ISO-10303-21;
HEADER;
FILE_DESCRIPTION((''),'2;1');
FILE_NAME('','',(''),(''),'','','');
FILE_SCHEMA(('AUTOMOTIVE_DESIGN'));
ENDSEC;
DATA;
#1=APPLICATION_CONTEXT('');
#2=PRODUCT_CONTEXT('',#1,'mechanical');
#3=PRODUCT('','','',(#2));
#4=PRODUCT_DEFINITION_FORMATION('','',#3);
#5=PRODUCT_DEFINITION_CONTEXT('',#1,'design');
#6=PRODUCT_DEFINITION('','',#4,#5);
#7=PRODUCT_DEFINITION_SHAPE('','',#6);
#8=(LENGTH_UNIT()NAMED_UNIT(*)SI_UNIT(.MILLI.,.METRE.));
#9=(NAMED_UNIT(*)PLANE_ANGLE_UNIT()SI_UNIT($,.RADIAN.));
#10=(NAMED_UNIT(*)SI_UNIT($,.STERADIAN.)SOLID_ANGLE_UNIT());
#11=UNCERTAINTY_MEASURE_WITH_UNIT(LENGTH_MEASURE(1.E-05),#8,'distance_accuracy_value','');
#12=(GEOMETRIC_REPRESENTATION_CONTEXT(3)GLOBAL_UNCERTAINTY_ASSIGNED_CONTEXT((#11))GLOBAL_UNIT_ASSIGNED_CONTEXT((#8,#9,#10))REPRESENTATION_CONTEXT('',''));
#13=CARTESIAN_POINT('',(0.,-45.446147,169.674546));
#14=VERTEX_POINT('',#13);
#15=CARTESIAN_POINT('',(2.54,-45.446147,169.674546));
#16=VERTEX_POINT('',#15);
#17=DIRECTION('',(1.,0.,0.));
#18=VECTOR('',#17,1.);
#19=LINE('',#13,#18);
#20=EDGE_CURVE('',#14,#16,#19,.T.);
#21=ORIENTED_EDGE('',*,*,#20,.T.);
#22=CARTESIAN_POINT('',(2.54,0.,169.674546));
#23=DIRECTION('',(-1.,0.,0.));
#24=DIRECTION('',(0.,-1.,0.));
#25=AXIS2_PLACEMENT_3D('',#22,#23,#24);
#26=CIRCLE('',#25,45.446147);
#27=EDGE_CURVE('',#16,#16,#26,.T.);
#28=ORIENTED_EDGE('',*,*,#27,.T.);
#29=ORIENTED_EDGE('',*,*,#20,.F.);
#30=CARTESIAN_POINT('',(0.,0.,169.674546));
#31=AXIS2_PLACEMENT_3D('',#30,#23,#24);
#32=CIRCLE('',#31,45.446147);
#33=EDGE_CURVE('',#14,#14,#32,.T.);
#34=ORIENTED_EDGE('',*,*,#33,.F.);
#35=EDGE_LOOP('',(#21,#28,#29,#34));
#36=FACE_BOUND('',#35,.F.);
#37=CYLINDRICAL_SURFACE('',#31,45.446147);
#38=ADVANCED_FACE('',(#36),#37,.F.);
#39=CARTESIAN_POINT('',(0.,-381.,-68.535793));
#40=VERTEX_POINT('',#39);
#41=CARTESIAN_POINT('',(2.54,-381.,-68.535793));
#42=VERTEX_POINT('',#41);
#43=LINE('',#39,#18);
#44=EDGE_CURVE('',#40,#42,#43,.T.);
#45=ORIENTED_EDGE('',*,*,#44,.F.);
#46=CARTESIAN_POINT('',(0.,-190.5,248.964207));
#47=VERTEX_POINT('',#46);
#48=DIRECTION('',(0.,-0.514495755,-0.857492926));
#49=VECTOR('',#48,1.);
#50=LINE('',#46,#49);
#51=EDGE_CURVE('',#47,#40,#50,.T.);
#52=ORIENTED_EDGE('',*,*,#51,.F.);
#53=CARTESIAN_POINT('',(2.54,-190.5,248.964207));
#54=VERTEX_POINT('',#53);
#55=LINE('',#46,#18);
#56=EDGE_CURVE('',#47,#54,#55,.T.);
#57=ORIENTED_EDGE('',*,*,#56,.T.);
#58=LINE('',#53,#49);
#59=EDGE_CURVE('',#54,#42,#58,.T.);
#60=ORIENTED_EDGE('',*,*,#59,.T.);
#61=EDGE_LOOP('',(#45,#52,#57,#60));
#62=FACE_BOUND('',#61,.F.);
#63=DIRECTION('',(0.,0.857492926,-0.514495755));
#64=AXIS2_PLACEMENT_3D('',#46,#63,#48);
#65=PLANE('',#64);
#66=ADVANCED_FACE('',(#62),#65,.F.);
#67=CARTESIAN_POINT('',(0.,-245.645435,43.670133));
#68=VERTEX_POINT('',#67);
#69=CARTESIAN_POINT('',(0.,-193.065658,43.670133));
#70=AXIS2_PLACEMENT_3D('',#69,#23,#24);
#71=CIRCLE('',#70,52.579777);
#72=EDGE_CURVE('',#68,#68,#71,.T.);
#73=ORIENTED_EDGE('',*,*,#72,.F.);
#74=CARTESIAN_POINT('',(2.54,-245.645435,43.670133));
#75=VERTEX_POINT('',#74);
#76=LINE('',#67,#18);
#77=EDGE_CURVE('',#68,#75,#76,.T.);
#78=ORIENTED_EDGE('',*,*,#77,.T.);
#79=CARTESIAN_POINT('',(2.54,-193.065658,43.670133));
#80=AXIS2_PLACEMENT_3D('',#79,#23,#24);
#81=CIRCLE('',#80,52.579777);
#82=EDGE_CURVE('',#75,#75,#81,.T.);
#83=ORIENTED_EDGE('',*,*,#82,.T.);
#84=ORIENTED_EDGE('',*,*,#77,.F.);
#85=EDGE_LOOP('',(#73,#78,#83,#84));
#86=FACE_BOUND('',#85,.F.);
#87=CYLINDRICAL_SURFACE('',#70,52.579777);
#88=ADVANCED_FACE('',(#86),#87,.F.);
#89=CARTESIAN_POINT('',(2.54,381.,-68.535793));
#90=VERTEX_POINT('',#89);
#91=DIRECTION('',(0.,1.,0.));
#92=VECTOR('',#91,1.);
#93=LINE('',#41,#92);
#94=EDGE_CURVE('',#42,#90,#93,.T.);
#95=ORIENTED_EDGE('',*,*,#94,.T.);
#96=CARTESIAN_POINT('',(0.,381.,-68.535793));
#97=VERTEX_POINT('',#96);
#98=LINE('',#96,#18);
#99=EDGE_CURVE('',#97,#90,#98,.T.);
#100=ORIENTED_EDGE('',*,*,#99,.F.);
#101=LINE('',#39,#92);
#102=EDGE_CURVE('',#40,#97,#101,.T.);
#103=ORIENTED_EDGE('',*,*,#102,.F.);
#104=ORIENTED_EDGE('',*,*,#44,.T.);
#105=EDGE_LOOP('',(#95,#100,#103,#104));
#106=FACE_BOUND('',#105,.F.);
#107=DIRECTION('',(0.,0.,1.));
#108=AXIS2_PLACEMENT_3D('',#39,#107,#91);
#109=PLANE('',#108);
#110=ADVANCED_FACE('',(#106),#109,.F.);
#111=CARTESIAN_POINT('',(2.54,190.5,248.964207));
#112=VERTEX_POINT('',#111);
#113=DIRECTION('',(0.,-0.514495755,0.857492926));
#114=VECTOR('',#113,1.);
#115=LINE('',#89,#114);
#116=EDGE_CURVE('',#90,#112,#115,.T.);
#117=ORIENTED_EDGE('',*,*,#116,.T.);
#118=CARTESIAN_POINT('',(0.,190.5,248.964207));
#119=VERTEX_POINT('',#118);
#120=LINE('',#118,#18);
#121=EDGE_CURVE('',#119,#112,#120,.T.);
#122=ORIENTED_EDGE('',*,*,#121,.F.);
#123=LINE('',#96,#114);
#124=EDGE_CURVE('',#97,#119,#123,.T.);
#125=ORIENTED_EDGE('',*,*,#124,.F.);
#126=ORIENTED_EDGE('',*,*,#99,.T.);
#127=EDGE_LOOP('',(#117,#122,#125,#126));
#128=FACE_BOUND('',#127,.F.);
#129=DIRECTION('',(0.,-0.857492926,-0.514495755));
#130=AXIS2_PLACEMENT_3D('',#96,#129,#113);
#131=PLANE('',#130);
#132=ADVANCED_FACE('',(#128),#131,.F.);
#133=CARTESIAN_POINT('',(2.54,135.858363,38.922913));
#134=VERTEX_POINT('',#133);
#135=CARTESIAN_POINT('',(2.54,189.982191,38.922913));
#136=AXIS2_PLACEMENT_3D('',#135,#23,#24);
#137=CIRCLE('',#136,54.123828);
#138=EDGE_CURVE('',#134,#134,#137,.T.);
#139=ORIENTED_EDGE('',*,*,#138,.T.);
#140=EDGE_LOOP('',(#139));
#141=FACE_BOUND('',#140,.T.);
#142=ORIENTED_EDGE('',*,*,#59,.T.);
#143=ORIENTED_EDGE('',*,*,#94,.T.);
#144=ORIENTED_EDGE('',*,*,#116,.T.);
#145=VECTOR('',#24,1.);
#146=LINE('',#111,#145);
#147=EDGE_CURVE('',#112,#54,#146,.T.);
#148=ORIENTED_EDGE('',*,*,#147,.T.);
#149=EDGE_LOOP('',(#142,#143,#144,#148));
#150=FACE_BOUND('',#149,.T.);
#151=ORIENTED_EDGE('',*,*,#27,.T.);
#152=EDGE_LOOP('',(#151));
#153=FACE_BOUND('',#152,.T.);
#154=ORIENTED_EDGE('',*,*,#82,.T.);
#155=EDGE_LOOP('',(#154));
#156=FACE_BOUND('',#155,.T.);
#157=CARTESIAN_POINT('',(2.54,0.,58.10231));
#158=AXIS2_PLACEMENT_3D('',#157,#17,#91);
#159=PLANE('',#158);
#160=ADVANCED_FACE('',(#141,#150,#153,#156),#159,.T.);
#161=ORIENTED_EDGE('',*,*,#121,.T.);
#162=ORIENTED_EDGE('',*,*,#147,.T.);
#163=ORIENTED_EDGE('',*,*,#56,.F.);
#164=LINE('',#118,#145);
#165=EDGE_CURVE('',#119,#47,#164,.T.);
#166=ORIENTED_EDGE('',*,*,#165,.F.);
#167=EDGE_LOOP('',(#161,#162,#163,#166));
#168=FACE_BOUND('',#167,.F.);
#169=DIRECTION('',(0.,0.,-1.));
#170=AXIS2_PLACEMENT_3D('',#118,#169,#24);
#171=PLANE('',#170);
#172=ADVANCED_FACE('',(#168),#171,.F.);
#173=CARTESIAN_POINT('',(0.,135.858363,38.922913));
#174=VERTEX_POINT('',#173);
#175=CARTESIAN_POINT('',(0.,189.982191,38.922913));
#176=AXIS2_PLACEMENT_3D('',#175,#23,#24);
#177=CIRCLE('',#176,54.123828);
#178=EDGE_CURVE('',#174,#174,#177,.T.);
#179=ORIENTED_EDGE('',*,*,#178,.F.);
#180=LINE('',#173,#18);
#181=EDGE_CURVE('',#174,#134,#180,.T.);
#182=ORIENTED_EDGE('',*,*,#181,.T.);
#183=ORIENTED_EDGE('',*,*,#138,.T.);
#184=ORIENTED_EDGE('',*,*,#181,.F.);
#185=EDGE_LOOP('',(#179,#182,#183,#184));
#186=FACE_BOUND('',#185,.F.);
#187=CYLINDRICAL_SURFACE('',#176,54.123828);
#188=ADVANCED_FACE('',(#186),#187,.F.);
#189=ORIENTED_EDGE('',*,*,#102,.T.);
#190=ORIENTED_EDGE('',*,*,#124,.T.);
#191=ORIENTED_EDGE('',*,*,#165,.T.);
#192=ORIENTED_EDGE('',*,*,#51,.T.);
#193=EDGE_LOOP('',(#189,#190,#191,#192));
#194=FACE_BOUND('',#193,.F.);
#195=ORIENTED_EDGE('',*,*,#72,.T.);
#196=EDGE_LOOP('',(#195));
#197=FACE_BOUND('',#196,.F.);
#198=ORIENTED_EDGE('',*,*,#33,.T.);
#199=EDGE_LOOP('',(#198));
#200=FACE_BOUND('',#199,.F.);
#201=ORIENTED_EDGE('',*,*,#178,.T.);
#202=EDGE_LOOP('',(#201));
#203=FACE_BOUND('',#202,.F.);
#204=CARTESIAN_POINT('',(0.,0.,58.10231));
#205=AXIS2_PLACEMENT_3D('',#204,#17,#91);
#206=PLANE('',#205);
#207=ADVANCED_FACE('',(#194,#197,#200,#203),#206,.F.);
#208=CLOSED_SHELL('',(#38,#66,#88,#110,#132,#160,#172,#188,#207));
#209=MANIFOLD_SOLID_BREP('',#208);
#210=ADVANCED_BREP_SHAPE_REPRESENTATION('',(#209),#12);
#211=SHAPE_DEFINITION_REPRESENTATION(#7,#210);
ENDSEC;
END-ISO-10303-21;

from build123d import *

# Parameters (mm, degrees)
F1_DEPTH = 2.54
F2_R     = 54.123828
F2_R_2   = 52.579777
F2_R_3   = 45.446147
F3_DEPTH = 2.541


with BuildPart() as f1:
    # F0 (on Right) → F1 (new body)
    with BuildSketch(Plane.YZ):
        Polygon((190.5, 248.964207), (-190.5, 248.964207), (-381, -68.535793), (381, -68.535793), align=None)
    extrude(amount=F1_DEPTH)

    # F2 (on face) → F3 (cut, through all)
    with BuildSketch(Plane(origin=(0, 0, 0), x_dir=(0, -1, 0), z_dir=(-1, 0, 0))):
        with Locations((-189.982191, 38.922913)):
            Circle(F2_R)
        with Locations((193.065658, 43.670133)):
            Circle(F2_R_2)
        with Locations((0, 169.674546)):
            Circle(F2_R_3)
    extrude(amount=-F3_DEPTH, mode=Mode.SUBTRACT)


solid = f1.part
